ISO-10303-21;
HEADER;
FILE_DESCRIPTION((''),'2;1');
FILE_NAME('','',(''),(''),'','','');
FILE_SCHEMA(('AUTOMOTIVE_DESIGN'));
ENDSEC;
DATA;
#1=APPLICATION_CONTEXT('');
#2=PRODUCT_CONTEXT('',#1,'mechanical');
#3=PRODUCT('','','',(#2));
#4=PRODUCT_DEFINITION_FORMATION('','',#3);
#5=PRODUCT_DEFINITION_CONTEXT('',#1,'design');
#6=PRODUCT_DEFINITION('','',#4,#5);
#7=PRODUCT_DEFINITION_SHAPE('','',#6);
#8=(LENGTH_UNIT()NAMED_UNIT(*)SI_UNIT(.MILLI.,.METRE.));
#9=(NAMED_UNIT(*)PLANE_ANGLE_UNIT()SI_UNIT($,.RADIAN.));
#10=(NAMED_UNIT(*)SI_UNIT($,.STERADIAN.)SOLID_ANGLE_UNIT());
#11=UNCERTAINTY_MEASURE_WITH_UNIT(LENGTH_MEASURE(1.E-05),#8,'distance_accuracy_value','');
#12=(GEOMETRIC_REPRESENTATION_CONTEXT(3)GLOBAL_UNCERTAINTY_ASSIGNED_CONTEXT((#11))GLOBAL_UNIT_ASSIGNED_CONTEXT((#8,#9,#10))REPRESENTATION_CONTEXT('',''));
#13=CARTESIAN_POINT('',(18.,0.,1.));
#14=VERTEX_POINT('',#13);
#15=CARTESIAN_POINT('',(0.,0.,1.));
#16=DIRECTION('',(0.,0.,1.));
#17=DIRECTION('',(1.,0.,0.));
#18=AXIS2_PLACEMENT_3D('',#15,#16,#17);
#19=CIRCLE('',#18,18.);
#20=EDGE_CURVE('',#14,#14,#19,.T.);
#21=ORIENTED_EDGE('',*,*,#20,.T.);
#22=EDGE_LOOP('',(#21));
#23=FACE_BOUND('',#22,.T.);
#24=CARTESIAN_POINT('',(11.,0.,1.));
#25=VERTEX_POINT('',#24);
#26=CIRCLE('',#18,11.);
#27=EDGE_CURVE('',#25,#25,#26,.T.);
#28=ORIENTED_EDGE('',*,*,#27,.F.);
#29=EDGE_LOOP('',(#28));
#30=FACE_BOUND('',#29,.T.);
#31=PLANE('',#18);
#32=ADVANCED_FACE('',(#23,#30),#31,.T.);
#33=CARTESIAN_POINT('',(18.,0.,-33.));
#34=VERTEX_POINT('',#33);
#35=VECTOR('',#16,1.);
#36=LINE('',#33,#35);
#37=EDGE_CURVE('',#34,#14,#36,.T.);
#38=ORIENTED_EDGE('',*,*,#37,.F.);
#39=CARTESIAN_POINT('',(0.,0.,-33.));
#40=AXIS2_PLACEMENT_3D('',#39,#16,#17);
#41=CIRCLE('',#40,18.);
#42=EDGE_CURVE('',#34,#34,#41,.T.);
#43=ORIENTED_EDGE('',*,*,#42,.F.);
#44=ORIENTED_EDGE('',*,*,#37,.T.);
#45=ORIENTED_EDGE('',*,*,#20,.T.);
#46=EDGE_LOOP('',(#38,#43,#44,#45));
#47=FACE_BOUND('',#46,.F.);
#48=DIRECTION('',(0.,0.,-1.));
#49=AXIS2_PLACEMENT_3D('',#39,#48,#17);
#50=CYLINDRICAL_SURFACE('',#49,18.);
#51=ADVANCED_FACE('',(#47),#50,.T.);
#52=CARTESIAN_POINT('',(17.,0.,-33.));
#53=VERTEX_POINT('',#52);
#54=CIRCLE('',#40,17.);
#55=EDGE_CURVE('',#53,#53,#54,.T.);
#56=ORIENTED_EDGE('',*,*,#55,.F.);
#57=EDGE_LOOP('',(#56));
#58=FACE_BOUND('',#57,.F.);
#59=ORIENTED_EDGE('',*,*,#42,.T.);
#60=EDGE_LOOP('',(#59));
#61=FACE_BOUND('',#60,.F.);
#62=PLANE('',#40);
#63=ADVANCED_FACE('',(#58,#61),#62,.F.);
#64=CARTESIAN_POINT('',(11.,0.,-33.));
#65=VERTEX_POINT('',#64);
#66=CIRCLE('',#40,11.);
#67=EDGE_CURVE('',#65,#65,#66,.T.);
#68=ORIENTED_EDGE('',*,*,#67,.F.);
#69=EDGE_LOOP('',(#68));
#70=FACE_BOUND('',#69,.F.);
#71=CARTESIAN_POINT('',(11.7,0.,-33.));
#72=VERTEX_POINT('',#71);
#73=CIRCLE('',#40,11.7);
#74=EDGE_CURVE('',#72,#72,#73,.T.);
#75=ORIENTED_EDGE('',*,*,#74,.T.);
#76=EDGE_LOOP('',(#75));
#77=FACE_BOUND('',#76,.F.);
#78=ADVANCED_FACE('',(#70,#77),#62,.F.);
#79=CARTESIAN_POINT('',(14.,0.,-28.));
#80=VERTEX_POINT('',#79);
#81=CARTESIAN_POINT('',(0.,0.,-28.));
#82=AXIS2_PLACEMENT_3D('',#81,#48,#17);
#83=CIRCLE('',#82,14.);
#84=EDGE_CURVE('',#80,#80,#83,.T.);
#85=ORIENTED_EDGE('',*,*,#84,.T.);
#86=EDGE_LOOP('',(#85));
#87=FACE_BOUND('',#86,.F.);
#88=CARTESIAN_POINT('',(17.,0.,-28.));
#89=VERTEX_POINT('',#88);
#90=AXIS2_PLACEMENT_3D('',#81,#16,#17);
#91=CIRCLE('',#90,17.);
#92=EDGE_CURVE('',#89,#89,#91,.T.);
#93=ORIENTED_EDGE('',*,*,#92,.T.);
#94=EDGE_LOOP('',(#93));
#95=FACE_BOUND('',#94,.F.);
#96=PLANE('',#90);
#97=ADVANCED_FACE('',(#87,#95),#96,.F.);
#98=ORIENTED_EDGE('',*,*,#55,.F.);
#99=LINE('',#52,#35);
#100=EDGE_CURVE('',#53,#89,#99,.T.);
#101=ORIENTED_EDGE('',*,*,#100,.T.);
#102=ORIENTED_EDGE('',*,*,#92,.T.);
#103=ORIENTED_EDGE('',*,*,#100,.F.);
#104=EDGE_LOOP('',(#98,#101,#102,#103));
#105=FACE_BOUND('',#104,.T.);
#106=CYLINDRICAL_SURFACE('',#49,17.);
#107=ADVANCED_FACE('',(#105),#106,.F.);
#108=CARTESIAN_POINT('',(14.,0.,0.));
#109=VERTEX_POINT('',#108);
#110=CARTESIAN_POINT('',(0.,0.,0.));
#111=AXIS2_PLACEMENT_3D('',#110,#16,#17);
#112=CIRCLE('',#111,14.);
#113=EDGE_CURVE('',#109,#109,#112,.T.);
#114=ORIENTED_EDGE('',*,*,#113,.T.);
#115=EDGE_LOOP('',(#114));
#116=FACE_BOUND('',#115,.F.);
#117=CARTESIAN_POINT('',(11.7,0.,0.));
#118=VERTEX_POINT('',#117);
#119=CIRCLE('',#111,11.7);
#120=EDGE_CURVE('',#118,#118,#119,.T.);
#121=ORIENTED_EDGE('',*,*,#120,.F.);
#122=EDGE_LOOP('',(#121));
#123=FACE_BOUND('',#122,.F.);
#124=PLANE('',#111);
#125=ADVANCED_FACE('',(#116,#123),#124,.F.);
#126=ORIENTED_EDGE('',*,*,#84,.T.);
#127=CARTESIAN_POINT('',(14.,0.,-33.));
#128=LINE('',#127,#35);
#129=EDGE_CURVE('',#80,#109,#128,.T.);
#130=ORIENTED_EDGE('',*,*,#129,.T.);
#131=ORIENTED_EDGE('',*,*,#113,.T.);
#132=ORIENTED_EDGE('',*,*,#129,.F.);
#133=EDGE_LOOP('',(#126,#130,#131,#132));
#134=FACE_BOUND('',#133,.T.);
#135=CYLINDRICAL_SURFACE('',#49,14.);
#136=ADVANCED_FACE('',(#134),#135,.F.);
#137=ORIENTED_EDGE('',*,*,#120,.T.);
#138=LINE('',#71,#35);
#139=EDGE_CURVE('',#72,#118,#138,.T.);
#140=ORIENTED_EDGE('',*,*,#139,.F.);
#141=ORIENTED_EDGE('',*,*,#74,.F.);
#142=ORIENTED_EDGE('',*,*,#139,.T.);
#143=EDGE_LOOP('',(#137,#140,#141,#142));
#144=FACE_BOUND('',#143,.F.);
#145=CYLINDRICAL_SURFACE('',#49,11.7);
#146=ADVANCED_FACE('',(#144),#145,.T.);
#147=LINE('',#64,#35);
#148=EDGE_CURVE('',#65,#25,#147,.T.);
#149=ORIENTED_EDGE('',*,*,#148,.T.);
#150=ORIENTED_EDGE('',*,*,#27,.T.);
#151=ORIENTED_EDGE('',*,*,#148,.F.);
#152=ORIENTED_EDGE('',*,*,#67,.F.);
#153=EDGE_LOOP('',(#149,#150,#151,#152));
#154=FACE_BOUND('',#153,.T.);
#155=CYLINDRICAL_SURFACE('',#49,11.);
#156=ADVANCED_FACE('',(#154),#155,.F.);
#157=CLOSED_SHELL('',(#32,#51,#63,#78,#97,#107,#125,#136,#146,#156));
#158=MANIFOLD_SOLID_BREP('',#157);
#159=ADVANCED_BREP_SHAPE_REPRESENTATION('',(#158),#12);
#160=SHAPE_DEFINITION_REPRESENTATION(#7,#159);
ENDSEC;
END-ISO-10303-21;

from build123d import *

# Parameters (mm, degrees)
CYLINDER093_R     = 1.5
CYLINDER093_DEPTH = 14
CYLINDER090_R     = 11.7
CYLINDER090_DEPTH = 33
CYLINDER094_R     = 1.5
CYLINDER094_DEPTH = 14
CYLINDER088_R     = 14
CYLINDER088_DEPTH = 33
BOX016_W          = 1
BOX016_H          = 1
BOX016_DEPTH      = 1
CYLINDER084_R     = 17
CYLINDER084_DEPTH = 5
CYLINDER095_R     = 11
CYLINDER095_DEPTH = 34
CYLINDER_R        = 18
CYLINDER_DEPTH    = 34


with BuildPart() as ftinsmount1:
    # Cylinder093 → Cylinder093 (new body)
    with BuildSketch(Plane(origin=(53.66, 148, -15), x_dir=(1, 0, 0), z_dir=(0, 0, 1))):
        Circle(CYLINDER093_R)
    extrude(amount=CYLINDER093_DEPTH)


with BuildPart() as ftinsinnerhole:
    # Cylinder090 → Cylinder090 (new body)
    with BuildSketch(Plane(origin=(73.66, 148, -10), x_dir=(1, 0, 0), z_dir=(0, 0, 1))):
        Circle(CYLINDER090_R)
    extrude(amount=CYLINDER090_DEPTH)


with BuildPart() as fusion039:
    # Cylinder094 → Cylinder094 (new body)
    with BuildSketch(Plane(origin=(93.66, 148, -14), x_dir=(1, 0, 0), z_dir=(0, 0, 1))):
        Circle(CYLINDER094_R)
    extrude(amount=CYLINDER094_DEPTH)

    # Fusion039: union FTInsMount1, FTInsInnerHole
    add(ftinsmount1.part)
    add(ftinsinnerhole.part)


with BuildPart() as feedthrough008:
    # Cylinder088 → Cylinder088 (new body)
    with BuildSketch(Plane(origin=(73.66, 148, -10), x_dir=(1, 0, 0), z_dir=(0, 0, 1))):
        Circle(CYLINDER088_R)
    extrude(amount=CYLINDER088_DEPTH)


with BuildPart() as ftinslug:
    # Box016 → Box016 (new body)
    with BuildSketch(Plane(origin=(63, 136, -8), x_dir=(1, 0, 0), z_dir=(0, 0, 1))):
        with Locations((0.5, 0.5)):
            Rectangle(BOX016_W, BOX016_H)
    extrude(amount=BOX016_DEPTH)


with BuildPart() as ftinsulator1:
    # Cylinder084 → Cylinder084 (new body)
    with BuildSketch(Plane(origin=(73.66, 148, -10), x_dir=(1, 0, 0), z_dir=(0, 0, 1))):
        Circle(CYLINDER084_R)
    extrude(amount=CYLINDER084_DEPTH)

    # Fusion038: union Feedthrough008, FTInsLug
    add(feedthrough008.part)
    add(ftinslug.part)

    # Cut010: cut Fusion039
    add(fusion039.part, mode=Mode.SUBTRACT)


with BuildPart() as ftinsulator1_1:
    # Cut010 placement: moved
    add(ftinsulator1.part.moved(Location((-73.66, -148, -23))))


with BuildPart() as fusion:
    # Cylinder095 → Cylinder095 (new body)
    with BuildSketch(Plane.XY.offset(-33)):
        Circle(CYLINDER095_R)
    extrude(amount=CYLINDER095_DEPTH)

    # Fusion: union FTInsulator1
    add(ftinsulator1_1.part)


with BuildPart() as cut:
    # Cylinder → Cylinder (new body)
    with BuildSketch(Plane.XY.offset(-33)):
        Circle(CYLINDER_R)
    extrude(amount=CYLINDER_DEPTH)

    # Cut: cut Fusion
    add(fusion.part, mode=Mode.SUBTRACT)


solid = cut.part
